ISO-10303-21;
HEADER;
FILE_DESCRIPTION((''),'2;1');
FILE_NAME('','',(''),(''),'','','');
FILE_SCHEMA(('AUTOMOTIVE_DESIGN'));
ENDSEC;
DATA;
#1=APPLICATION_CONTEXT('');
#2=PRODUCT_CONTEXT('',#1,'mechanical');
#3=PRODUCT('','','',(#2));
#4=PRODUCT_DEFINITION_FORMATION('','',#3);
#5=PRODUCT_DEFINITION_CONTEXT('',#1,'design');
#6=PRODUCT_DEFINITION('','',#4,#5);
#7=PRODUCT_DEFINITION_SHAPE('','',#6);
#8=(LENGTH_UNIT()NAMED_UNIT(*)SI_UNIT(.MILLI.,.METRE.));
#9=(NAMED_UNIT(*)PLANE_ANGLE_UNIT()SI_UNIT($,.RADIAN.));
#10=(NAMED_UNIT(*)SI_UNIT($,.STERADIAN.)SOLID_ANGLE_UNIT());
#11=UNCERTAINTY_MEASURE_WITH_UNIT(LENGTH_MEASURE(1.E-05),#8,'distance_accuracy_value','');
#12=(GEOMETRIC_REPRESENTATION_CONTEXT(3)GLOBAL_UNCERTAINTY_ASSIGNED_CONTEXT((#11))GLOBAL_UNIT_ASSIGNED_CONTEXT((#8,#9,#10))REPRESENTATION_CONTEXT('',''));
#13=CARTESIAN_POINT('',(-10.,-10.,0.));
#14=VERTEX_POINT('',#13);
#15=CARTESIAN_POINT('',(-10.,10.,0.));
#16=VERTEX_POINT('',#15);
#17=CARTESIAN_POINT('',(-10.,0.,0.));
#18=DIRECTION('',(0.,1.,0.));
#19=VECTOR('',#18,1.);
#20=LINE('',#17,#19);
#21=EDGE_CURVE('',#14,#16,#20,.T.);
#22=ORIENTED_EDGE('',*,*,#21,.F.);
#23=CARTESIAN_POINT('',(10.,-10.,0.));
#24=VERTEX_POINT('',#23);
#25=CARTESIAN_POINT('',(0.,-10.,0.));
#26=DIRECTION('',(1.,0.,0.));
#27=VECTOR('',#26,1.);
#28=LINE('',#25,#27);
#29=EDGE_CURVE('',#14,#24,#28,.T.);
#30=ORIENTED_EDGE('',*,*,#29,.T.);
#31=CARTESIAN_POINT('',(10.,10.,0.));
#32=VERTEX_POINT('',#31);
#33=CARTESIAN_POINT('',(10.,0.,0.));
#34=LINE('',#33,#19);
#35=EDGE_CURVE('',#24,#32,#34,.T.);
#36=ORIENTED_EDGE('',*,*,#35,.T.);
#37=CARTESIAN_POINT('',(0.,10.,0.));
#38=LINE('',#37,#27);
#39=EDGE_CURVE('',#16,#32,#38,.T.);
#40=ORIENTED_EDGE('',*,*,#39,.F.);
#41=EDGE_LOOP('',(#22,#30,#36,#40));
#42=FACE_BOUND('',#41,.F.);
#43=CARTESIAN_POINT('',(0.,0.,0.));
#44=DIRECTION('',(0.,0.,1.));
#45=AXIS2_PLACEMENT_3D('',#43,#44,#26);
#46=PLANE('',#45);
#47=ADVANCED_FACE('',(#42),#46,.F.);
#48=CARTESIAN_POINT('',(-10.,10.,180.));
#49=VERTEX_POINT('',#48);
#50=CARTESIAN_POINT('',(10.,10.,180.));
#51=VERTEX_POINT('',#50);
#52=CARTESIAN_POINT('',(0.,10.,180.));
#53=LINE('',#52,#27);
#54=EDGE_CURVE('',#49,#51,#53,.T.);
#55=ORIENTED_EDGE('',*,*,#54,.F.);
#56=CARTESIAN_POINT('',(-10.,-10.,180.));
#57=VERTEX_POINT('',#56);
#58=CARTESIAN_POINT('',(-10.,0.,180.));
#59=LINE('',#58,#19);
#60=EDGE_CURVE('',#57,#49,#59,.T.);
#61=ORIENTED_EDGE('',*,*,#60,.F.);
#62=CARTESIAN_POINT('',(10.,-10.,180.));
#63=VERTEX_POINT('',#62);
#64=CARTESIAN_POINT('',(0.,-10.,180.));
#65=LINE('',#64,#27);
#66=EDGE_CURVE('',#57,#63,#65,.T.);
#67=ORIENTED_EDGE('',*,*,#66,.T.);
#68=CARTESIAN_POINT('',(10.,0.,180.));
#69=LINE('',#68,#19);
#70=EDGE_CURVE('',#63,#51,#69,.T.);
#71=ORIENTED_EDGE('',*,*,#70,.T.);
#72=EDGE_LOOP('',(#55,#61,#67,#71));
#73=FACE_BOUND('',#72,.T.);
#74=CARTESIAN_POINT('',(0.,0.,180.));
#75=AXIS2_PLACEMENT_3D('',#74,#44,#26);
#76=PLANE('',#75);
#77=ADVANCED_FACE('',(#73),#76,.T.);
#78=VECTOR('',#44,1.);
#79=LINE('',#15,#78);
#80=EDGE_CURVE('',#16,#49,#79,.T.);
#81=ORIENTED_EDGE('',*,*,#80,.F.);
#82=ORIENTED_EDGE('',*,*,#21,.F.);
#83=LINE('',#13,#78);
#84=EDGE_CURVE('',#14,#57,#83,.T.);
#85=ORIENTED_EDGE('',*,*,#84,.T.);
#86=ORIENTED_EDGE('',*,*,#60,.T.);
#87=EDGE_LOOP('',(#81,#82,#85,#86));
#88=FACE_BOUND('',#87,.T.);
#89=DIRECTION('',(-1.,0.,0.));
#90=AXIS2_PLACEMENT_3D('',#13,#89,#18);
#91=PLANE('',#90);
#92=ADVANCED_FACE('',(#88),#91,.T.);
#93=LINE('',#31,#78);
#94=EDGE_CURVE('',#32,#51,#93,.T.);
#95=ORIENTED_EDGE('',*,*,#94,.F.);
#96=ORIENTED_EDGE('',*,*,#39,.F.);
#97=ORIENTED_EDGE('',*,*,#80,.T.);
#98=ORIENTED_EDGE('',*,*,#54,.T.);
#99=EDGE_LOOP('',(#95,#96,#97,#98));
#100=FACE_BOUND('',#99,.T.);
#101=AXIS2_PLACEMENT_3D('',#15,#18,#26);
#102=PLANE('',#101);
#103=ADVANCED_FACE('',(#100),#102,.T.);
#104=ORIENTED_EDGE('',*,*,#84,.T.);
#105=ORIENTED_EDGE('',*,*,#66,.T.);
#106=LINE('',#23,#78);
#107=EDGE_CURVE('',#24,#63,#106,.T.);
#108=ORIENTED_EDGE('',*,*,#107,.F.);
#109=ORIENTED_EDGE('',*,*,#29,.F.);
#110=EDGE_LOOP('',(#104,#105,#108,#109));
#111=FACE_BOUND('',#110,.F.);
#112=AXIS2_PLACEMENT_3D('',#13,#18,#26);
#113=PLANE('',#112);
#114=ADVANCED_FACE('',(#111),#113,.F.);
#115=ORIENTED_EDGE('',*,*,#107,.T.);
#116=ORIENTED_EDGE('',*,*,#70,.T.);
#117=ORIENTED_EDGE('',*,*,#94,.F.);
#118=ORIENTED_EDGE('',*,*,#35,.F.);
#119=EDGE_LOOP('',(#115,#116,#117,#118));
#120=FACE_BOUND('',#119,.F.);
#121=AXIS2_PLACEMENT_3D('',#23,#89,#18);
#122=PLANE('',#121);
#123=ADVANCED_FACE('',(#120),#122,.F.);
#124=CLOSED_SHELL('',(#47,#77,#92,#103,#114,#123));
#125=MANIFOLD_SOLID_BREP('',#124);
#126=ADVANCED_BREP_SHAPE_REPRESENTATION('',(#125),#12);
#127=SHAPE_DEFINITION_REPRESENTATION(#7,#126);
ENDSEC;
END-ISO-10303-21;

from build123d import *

# Parameters (mm, degrees)
SKETCH1_W           = 20
SKETCH1_H           = 20
BOSS_EXTRUDE1_DEPTH = 180


with BuildPart() as part:
    # Sketch1 → Boss-Extrude1 (new body)
    with BuildSketch(Plane.XY):
        Rectangle(SKETCH1_W, SKETCH1_H)
    extrude(amount=BOSS_EXTRUDE1_DEPTH)


solid = part.part
